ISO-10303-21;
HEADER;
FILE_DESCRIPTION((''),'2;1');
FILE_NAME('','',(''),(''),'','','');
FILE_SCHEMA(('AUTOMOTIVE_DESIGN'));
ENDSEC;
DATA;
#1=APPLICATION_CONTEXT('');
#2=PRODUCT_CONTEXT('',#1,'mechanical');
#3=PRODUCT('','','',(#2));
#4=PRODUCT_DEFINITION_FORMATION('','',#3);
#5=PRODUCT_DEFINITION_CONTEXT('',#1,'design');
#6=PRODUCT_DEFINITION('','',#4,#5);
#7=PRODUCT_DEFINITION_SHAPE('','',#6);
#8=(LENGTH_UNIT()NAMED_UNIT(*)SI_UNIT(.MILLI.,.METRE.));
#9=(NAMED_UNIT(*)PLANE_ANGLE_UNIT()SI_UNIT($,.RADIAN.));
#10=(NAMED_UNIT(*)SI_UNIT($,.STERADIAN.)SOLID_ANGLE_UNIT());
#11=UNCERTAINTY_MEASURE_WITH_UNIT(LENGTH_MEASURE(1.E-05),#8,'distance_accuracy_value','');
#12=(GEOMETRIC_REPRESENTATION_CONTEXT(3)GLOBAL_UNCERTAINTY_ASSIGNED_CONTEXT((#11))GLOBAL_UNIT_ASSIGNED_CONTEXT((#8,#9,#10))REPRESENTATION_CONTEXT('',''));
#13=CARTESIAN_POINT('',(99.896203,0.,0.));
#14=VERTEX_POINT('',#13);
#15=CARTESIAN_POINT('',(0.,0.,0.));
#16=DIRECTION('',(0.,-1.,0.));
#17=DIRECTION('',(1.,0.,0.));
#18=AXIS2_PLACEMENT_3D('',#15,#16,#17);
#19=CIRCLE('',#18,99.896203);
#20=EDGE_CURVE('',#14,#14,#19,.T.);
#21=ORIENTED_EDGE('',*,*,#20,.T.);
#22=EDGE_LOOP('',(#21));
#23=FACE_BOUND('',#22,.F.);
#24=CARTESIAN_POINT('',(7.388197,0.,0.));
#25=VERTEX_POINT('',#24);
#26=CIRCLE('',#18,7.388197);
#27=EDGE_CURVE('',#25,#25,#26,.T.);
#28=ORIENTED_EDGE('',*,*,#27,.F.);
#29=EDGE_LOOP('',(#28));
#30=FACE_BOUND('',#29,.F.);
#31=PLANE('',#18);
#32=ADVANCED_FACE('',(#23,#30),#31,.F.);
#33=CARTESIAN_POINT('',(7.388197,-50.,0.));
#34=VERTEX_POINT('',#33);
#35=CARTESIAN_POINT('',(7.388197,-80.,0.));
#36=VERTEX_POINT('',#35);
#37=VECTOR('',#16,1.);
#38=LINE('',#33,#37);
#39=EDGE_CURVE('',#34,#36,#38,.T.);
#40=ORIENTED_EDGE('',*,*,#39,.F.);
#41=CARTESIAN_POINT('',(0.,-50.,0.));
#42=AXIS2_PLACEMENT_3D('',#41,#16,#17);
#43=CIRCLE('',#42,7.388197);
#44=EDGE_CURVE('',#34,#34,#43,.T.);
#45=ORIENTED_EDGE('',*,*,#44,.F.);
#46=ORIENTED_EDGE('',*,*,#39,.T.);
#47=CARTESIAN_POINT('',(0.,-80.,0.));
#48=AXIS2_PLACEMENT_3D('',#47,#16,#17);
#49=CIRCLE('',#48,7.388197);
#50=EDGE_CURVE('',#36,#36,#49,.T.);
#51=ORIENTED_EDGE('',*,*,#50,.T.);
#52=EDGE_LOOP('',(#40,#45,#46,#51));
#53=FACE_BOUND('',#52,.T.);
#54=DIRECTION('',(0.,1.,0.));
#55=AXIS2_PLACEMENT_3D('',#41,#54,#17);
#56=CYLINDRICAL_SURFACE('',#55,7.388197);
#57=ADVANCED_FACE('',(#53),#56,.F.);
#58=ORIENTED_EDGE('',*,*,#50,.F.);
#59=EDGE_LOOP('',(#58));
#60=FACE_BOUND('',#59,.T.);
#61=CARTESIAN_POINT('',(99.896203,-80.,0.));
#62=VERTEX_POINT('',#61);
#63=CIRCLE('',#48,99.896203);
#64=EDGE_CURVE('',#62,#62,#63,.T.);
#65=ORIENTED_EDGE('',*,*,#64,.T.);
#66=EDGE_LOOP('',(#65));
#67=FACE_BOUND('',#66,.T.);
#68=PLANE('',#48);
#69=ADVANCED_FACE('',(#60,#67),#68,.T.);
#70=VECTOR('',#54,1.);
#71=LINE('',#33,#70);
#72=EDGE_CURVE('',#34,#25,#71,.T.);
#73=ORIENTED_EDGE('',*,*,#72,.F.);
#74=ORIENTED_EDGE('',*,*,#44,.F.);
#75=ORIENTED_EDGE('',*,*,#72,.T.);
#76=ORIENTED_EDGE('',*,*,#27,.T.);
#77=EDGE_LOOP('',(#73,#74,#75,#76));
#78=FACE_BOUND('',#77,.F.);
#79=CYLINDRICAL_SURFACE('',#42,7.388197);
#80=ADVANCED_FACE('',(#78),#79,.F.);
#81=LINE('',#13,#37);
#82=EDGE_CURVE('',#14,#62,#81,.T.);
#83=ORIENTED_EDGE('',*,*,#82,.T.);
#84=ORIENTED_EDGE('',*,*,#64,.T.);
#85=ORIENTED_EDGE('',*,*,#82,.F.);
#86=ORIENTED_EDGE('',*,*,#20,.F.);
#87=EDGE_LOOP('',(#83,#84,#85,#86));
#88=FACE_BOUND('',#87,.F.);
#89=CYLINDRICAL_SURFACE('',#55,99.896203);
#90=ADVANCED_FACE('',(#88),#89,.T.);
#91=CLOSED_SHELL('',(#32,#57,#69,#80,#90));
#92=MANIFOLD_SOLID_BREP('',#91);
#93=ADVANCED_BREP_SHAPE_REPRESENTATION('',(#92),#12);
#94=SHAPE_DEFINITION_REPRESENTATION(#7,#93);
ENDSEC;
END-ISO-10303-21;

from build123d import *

# Parameters (mm, degrees)
F0_R     = 99.8962025771
F1_DEPTH = 50
F2_R     = 7.3881969702
F3_DEPTH = 50.001
F4_DEPTH = 50
F5_DEPTH = 20


with BuildPart() as f1:
    # F0 (on Front) → F1 (new body)
    with BuildSketch(Plane.XZ):
        Circle(F0_R)
    extrude(amount=F1_DEPTH)

    # F2 (on face) → F3 (cut, through all)
    with BuildSketch(Plane.XZ.offset(50)):
        Circle(F2_R)
    extrude(amount=-F3_DEPTH, mode=Mode.SUBTRACT)

    # F4 (add): a face of the model
    f4_faces = [f1.faces().sort_by_distance(p)[0] for p in [
        (-97.0707112869, -50, 0),
    ]]
    extrude(f4_faces, amount=F4_DEPTH)

    # F5 (cut): a face of the model
    f5_faces = [f1.faces().sort_by_distance(p)[0] for p in [
        (-97.0707112869, -100, 0),
    ]]
    extrude(f5_faces, amount=-F5_DEPTH, mode=Mode.SUBTRACT)


solid = f1.part
